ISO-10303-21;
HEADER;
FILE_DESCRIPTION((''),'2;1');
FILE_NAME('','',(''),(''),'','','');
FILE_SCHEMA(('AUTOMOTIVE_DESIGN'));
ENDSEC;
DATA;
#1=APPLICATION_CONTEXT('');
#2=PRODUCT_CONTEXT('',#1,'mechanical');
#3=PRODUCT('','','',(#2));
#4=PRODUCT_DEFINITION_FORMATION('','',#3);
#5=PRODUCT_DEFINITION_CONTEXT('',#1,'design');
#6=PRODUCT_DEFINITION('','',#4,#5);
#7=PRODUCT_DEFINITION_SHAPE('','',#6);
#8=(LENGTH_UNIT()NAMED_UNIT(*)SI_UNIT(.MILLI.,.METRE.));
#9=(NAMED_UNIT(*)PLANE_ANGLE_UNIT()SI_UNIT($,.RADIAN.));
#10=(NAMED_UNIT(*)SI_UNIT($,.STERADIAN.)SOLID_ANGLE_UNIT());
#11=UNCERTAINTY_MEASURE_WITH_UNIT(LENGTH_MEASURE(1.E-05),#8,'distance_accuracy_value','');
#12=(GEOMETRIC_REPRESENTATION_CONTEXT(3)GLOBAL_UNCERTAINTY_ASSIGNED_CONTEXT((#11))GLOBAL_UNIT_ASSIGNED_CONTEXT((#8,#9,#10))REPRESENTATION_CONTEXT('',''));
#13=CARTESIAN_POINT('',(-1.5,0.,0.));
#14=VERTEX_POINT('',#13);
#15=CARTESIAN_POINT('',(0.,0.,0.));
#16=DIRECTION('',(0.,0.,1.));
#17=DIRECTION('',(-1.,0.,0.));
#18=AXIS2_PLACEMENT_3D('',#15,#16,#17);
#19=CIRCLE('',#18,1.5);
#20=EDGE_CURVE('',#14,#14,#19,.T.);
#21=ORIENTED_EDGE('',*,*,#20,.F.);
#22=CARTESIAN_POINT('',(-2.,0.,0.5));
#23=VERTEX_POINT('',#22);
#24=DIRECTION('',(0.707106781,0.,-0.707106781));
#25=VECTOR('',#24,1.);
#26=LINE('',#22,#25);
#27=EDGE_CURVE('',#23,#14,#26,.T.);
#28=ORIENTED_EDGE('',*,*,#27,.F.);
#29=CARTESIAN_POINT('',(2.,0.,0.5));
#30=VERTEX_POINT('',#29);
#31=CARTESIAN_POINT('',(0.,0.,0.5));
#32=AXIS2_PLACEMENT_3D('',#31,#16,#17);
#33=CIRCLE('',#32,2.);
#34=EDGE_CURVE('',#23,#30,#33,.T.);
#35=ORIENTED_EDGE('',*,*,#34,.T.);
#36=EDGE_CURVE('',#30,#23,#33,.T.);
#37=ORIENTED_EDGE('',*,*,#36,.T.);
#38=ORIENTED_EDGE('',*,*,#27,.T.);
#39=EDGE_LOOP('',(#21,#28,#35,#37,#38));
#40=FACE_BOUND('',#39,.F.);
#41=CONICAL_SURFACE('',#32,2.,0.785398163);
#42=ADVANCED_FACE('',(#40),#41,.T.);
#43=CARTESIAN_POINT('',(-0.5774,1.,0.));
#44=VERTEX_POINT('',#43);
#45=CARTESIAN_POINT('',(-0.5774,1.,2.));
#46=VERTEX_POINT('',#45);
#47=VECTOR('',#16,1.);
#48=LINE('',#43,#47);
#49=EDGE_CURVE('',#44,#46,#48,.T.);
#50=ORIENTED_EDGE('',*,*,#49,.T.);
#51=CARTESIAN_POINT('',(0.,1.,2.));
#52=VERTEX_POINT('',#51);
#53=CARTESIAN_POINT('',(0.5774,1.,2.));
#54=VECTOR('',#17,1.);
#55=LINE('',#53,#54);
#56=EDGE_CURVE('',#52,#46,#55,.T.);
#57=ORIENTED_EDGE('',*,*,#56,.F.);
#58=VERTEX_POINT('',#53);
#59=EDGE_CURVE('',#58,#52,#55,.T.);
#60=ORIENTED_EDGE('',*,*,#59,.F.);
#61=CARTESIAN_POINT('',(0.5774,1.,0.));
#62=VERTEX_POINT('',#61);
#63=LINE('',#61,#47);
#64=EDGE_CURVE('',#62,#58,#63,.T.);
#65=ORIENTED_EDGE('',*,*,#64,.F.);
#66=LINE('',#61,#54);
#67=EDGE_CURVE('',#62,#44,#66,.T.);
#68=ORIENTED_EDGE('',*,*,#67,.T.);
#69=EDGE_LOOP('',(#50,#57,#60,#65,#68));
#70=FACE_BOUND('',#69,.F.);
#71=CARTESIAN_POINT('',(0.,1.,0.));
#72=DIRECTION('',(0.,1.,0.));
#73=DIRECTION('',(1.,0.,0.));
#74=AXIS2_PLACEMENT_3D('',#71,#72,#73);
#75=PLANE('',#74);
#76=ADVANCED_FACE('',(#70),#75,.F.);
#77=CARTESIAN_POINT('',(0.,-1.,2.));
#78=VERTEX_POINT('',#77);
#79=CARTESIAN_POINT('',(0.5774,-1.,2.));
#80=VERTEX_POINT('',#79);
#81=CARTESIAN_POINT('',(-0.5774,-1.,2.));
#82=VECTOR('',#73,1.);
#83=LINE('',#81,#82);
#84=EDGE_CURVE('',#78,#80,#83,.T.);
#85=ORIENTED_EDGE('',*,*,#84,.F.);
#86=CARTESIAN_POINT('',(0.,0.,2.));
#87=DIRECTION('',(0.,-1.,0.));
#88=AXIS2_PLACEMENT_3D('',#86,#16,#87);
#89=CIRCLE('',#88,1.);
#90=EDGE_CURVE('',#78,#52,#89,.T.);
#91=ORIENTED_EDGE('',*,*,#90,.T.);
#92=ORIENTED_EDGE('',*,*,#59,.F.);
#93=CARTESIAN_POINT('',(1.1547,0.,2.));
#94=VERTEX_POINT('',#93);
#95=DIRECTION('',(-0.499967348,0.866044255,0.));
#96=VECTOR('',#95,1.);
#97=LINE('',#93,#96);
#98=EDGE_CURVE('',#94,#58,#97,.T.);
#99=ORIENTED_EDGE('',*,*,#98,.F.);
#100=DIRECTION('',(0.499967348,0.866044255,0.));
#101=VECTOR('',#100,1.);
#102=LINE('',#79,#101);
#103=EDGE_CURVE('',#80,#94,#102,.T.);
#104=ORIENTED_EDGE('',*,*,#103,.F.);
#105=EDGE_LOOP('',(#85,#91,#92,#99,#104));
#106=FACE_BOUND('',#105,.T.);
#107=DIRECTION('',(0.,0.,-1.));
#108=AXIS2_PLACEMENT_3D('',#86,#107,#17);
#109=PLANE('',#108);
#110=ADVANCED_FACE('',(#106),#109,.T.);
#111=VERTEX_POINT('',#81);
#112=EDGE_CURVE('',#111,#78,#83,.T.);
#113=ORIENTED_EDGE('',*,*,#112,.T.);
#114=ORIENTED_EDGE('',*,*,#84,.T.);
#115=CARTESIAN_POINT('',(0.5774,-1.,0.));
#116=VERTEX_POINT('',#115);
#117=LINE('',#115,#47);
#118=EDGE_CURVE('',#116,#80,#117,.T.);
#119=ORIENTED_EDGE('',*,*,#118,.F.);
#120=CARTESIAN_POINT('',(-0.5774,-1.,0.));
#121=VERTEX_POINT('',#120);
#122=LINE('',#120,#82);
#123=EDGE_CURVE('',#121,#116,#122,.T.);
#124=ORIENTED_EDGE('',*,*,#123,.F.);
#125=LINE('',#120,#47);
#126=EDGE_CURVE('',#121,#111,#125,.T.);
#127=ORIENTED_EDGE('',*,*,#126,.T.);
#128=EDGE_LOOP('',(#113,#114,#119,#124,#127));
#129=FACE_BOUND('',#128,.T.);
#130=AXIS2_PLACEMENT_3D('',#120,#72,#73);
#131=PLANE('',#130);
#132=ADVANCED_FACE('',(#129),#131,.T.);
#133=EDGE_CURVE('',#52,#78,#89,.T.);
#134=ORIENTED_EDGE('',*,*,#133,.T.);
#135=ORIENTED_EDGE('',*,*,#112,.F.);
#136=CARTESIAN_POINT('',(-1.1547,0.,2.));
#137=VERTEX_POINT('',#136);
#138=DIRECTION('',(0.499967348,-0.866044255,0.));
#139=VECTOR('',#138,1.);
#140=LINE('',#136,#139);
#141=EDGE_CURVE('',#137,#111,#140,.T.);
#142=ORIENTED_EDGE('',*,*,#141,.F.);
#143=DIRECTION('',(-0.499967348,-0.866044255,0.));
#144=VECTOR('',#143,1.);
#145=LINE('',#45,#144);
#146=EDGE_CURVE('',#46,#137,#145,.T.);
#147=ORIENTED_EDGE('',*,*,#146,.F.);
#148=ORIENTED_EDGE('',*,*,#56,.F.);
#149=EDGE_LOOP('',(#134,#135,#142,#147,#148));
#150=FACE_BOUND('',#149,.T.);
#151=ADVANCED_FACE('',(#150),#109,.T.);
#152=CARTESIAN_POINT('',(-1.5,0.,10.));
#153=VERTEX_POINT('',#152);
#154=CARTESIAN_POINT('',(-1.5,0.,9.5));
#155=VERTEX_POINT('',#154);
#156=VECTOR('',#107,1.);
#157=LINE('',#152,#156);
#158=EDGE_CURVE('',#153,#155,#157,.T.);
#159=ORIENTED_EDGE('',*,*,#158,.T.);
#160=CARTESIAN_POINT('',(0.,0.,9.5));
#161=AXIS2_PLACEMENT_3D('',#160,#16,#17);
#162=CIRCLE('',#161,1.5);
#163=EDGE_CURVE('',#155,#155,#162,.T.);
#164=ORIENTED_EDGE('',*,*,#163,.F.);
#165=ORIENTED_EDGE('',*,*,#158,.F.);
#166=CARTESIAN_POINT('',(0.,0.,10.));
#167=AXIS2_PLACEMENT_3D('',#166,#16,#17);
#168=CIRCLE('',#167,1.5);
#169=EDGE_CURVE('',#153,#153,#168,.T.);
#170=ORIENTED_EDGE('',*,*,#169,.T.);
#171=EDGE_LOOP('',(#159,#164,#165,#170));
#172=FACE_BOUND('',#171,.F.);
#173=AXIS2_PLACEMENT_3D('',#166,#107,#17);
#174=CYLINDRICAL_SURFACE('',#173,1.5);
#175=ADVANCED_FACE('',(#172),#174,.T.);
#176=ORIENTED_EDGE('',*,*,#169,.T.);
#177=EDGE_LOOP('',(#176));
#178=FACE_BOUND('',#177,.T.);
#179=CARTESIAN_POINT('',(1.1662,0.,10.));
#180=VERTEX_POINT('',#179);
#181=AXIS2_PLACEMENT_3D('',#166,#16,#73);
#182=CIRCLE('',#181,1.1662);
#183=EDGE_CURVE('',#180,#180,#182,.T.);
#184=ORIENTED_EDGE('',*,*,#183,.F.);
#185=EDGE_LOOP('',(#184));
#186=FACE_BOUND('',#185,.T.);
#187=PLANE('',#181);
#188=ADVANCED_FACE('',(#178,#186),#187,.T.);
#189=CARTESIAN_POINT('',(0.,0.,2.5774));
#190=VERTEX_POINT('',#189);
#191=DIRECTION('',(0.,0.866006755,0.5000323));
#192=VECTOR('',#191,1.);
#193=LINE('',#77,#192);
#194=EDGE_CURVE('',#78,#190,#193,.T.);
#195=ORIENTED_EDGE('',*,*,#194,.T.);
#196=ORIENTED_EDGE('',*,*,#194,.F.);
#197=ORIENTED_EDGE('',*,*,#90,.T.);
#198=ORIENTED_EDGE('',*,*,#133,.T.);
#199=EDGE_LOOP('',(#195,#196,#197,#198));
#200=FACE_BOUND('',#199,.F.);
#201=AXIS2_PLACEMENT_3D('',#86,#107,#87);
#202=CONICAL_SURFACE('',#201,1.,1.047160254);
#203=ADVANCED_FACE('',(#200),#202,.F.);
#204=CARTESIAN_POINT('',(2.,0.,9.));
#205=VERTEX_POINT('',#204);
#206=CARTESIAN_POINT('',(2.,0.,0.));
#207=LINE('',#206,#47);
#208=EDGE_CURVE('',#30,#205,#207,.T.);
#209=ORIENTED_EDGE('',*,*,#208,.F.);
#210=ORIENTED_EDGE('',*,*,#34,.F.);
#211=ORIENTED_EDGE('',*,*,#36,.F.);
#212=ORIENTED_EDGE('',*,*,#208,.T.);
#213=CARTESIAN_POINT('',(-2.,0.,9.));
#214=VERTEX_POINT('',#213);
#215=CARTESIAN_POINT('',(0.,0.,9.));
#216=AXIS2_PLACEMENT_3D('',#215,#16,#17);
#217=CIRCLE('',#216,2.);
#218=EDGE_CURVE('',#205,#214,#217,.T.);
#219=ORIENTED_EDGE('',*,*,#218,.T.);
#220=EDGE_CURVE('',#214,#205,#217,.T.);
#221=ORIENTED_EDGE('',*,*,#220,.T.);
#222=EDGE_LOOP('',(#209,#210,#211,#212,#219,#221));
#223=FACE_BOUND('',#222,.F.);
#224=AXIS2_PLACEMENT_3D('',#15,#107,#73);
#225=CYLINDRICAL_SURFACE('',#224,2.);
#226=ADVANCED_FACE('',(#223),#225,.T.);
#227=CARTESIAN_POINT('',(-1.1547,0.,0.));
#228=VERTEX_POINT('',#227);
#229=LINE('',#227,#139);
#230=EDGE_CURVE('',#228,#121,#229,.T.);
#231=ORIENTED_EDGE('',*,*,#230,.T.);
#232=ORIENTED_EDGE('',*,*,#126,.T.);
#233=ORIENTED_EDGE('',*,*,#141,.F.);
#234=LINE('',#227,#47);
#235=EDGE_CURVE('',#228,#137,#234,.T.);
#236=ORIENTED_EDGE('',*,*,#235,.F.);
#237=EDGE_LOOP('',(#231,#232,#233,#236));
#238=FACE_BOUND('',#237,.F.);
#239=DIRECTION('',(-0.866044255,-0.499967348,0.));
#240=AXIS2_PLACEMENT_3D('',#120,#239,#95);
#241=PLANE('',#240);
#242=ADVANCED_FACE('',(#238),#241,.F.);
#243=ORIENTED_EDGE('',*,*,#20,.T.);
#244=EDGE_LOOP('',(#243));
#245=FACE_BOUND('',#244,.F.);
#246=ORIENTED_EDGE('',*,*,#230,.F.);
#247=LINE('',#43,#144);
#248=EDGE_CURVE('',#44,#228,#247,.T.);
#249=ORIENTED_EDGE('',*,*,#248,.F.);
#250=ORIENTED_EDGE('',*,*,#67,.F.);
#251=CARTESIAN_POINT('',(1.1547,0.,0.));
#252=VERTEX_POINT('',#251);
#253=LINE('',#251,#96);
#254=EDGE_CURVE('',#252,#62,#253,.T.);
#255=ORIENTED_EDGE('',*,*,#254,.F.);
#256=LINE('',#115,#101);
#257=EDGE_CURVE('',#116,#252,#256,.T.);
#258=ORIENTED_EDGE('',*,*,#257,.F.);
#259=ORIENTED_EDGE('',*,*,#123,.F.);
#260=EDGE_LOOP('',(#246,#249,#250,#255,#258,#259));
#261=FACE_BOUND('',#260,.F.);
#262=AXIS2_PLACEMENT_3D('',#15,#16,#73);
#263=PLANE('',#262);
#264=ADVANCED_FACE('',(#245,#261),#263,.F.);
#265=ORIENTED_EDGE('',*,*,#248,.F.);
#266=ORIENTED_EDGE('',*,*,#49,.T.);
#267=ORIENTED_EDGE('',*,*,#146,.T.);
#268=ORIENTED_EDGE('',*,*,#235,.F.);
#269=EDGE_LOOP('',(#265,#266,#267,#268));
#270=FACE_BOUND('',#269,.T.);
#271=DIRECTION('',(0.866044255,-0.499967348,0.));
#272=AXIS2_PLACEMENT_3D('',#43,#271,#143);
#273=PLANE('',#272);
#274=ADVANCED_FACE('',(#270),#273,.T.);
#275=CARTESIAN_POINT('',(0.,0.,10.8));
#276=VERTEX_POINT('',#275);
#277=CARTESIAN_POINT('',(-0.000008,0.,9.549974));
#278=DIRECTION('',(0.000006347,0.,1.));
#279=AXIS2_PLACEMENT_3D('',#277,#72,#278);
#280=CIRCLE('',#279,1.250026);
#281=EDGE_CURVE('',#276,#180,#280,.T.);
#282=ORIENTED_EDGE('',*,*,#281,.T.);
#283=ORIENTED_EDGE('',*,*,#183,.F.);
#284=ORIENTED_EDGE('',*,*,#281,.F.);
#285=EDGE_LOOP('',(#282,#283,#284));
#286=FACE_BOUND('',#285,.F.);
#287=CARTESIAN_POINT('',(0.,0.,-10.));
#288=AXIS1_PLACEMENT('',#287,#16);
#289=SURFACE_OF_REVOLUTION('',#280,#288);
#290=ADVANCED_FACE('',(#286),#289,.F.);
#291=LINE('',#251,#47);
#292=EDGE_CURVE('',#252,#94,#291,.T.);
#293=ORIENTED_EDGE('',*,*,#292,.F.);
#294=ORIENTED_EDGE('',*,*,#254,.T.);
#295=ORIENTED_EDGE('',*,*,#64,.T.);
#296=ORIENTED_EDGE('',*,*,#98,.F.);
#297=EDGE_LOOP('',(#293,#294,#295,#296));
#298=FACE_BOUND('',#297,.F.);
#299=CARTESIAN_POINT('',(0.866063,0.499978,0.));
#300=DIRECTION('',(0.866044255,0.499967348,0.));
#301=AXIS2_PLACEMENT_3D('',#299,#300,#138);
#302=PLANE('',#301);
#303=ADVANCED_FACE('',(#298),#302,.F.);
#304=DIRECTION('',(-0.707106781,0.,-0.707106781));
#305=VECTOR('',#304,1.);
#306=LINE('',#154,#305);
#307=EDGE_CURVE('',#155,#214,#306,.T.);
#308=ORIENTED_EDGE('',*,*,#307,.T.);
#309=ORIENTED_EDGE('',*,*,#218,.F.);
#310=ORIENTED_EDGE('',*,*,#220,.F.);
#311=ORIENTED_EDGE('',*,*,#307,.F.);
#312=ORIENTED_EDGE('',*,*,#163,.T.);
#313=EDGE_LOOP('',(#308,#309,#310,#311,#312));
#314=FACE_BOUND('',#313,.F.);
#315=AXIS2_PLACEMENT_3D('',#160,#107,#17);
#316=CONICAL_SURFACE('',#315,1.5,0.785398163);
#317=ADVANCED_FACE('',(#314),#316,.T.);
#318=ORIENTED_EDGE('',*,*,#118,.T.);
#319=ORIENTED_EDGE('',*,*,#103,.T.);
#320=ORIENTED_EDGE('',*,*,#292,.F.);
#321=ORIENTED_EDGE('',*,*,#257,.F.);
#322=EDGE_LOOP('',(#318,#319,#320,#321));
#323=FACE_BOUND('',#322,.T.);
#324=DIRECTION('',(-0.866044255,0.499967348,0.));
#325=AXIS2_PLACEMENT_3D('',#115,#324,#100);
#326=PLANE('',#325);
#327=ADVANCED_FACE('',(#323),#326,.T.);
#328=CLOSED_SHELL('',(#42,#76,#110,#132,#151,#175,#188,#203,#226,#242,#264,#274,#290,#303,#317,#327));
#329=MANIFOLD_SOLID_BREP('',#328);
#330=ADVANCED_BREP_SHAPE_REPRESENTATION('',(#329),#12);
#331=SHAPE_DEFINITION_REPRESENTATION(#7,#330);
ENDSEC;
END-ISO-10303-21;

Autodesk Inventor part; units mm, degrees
ref_plane "YZ Plane" through (0, 0, 0) normal (1, 0, 0) x (0, 1, 0)
ref_plane "XZ Plane" through (0, 0, 0) normal (0, 1, 0) x (-1, 0, 0)
ref_plane "XY Plane" through (0, 0, 0) normal (0, 0, 1) x (1, 0, 0)
sketch "Sketch1" plane through (0, 0, 0) normal (0, 0, 1) x (1, 0, 0)
  circle A0 centre (0, 0) radius 2
  dimension "d0" = 4
extrude "Extrusion1" add sketch "Sketch1" along normal blind 10
thread "Thread1" size "M4x0.7" class "6g" standard "ISO Metric profile" full length
sketch "Sketch2" plane through (0, 0, 0) normal (0, 1, 0) x (-1, 0, 0)
  line L0 (2, 0) -> (2, 10) projected
  line L1 (2, 0) -> (2, 0.5)
  line L2 (2, 0.5) -> (1.5, 0)
  line L3 (-2, 0) -> (2, 0) projected
  line L4 (2, 10) -> (-2, 10) projected
  line L5 (2, 10) -> (1.5, 10)
  line L6 (1.5, 10) -> (1.5, 9.5)
  line L7 (1.5, 9.5) -> (2, 9)
  line L8 (0, -2) -> (0, 12) projected
  point P0 (0, 0)
  dimension "d5" = 0.5
  dimension "d6" = 45
  dimension "d7" = 0.5
  dimension "d8" = 0.5
revolve "Revolution1" cut sketch "Sketch2" angle 360 about axis through (0, 0, -10) along (0, 0, 1) contours L3 L2 L0 | L7 L6 L4 L0
sketch "Sketch3" plane through (0, 0, 0) normal (0, 1, 0) x (-1, 0, 0)
  arc A0 (0, 10.8) -> (-1.1662, 10) centre (0, 9.55) ccw
  line L0 (1.5, 10) -> (-1.5, 10) projected
  line L1 (0, 10.8) -> (0, 10)
  line L2 (0, -2.1962) -> (0, 13.1769) projected
  point P0 (0, 0)
  dimension "d11" = 2.5
revolve "Revolution2" add sketch "Sketch3" angle 360 about axis through (0, 0, -10) along (0, 0, 1)
sketch "Sketch5" plane through (0, 0, 0) normal (0, 0, -1) x (-1, 0, 0)
  circle A0 centre (0, 0) radius 1
  line L0 (0.5774, -1) -> (-0.5774, -1)
  line L1 (-0.5774, -1) -> (-1.1547, 0)
  line L2 (0.5774, -1) -> (1.1547, 0)
  line L3 (0.5774, 1) -> (-0.5774, 1)
  line L4 (-0.5774, 1) -> (-1.1547, 0)
  line L5 (0.5774, 1) -> (1.1547, 0)
  dimension "d16" = 2
  dimension "d23" = 120
  dimension "d24" = 120
extrude "Extrusion2" cut sketch "Sketch5" against normal blind 2
sketch "Sketch7" plane through (0, 0, 0) normal (1, 0, 0) x (0, 1, 0)
  line L0 (0, 0) -> (0, 2) projected
  line L1 (-1, 0) -> (-1, 2) projected
  line L2 (0, 2) -> (-1, 2)
  line L3 (-1, 2) -> (0, 2.5774)
  line L4 (0, 2.5774) -> (0, 2)
  line L5 (0, -2.16) -> (0, 12.96) projected
  dimension "d28" = 60
revolve "Revolution3" cut sketch "Sketch7" angle 360 about axis through (0, 0, -10) along (0, 0, 1)
properties part number "wkret_z_kulka" material "Ogólne"
